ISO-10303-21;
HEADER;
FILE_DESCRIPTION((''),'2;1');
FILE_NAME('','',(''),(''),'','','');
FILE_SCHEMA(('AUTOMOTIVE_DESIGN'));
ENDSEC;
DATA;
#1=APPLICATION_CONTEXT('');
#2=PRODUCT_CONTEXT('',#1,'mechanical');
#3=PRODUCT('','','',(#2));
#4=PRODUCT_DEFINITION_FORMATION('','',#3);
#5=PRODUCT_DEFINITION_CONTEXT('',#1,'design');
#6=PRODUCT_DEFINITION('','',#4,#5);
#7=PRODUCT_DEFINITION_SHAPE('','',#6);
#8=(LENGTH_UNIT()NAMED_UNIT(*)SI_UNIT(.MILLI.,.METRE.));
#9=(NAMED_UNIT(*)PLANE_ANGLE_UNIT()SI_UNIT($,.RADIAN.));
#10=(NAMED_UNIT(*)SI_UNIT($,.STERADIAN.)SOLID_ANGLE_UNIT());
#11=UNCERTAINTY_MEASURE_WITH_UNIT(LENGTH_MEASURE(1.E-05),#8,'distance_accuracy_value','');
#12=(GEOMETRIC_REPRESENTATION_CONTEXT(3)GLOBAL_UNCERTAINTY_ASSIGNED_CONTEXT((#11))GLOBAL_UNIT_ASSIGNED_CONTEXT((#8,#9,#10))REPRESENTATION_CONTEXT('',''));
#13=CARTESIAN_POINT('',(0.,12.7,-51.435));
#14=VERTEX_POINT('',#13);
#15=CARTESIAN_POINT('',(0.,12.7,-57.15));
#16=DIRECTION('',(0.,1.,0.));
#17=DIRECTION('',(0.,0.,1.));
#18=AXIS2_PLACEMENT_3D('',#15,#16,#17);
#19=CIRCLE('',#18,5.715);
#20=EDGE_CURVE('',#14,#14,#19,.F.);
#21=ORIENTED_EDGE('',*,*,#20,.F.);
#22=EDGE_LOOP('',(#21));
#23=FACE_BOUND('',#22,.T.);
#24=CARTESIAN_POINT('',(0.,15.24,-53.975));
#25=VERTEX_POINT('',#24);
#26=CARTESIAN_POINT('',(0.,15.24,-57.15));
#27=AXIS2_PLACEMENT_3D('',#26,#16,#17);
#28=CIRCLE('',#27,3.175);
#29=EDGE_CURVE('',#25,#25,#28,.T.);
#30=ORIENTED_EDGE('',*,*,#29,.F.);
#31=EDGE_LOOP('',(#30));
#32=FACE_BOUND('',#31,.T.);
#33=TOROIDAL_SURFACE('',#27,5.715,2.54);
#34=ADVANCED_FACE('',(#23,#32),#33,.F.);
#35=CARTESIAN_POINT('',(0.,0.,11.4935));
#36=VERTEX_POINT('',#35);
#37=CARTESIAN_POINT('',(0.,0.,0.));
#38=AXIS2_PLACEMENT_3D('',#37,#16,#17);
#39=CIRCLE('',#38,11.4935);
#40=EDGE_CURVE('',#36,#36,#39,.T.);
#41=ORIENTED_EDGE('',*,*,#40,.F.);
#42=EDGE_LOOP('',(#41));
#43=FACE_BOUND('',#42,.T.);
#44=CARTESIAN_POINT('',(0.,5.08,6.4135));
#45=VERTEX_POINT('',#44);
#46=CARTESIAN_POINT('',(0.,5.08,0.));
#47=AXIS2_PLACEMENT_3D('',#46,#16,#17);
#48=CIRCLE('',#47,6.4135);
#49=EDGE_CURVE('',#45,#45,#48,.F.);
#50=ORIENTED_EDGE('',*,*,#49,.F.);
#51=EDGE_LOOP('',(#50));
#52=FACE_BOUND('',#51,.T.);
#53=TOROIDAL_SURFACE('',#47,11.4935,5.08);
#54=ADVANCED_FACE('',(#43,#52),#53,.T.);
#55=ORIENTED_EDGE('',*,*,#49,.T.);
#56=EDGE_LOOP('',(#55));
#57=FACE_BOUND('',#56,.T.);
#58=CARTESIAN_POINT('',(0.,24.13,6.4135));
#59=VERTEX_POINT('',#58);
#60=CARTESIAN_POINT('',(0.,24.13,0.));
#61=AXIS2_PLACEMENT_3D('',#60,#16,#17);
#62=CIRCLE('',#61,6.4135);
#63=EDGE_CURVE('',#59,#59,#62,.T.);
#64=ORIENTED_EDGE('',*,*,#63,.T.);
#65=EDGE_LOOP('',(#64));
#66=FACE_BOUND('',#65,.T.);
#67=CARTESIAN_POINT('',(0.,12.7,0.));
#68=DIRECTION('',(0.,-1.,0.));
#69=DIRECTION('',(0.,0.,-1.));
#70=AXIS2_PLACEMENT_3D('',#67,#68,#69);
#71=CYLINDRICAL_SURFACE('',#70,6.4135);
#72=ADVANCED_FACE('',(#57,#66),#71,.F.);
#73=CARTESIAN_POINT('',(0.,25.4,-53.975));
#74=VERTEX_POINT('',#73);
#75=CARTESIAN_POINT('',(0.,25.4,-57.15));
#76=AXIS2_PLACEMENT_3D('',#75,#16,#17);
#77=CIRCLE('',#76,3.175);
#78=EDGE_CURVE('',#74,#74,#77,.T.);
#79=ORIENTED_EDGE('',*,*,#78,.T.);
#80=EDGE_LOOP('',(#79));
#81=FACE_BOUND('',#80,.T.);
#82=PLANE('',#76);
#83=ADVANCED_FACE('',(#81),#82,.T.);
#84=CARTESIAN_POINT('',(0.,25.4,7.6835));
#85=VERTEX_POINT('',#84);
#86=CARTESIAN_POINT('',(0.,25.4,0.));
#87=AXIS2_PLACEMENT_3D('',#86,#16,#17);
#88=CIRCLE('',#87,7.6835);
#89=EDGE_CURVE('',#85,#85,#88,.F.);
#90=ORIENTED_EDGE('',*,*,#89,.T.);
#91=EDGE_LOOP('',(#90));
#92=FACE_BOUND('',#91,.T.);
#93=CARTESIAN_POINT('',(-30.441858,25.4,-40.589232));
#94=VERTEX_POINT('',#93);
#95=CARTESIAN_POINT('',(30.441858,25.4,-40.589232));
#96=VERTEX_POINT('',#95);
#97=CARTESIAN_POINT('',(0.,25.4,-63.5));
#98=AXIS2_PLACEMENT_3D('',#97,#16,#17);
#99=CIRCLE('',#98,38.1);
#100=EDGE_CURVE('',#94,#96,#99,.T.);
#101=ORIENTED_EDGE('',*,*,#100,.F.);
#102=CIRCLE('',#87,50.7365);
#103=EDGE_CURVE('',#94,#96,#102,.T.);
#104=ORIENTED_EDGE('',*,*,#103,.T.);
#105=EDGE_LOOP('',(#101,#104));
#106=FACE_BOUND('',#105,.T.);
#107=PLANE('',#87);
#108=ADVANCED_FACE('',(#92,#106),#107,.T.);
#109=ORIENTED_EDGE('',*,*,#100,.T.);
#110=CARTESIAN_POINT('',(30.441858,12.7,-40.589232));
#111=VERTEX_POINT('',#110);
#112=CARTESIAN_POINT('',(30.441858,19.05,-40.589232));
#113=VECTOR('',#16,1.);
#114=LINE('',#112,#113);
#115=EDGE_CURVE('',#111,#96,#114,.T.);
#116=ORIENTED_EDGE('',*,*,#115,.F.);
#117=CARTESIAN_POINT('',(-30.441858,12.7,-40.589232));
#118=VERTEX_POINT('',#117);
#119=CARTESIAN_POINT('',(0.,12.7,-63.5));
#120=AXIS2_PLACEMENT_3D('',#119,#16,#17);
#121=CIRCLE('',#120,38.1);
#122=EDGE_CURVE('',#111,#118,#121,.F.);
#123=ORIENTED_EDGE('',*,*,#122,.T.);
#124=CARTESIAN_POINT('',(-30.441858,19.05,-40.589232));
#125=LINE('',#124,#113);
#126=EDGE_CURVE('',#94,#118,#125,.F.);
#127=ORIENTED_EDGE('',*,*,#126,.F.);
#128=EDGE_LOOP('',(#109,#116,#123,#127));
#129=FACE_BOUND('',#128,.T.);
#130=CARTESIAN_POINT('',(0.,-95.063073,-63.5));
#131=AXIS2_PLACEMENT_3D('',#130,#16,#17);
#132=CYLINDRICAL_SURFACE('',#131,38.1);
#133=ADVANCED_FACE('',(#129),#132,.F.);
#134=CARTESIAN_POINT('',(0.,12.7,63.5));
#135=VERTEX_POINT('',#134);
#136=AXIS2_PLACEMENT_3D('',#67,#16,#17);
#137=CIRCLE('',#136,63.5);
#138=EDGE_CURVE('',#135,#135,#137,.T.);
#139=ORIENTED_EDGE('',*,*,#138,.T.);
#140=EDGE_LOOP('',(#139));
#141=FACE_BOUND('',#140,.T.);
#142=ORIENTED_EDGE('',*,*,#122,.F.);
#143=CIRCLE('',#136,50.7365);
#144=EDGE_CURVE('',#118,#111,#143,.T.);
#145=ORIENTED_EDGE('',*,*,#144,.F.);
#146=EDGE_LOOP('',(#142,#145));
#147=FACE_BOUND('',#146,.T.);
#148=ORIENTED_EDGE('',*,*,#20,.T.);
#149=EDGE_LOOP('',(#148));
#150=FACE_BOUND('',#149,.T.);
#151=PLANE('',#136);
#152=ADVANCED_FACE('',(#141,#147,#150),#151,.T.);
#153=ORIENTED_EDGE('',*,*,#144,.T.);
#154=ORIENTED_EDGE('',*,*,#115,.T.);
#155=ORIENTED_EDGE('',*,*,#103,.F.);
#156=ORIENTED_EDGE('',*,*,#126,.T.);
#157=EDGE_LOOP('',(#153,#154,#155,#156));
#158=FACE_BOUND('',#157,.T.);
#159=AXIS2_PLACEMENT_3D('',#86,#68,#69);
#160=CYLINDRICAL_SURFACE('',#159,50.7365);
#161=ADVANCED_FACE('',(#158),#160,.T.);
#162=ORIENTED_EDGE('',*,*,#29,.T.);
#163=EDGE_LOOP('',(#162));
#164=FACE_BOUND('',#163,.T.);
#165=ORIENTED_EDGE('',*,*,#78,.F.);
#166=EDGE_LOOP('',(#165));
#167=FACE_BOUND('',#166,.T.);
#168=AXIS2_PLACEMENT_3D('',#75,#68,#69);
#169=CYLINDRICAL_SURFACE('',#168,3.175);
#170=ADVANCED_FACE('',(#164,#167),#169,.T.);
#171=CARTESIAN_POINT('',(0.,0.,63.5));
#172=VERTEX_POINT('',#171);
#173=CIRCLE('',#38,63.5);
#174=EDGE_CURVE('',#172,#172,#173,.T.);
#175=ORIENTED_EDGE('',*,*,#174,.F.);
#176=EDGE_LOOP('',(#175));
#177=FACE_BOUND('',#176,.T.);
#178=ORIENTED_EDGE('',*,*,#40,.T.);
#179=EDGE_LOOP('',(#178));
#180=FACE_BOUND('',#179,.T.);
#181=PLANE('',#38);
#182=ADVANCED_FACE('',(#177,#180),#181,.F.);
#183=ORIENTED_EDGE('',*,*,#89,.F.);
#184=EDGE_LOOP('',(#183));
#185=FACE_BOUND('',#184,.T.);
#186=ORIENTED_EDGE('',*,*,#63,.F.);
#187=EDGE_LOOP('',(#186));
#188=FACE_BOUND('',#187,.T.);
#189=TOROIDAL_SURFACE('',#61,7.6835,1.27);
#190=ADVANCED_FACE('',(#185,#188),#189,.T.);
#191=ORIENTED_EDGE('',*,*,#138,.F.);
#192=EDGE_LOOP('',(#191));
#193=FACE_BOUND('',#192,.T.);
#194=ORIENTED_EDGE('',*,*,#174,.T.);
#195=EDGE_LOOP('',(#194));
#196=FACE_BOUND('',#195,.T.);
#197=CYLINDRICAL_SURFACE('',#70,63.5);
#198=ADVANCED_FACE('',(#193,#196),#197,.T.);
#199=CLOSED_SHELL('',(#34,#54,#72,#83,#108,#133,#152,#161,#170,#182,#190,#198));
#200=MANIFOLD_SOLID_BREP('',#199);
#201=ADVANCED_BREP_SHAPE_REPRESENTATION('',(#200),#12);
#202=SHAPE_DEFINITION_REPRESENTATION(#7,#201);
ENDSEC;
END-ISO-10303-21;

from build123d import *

# Parameters (mm, degrees)
SKETCH1_R           = 63.5
SKETCH1_R_2         = 6.4135
BOSS_EXTRUDE1_DEPTH = 12.7
SKETCH2_R           = 50.7365
SKETCH2_R_2         = 6.4135
BOSS_EXTRUDE2_DEPTH = 12.7
SKETCH3_R           = 38.1
CUT_EXTRUDE2_DEPTH  = 12.7
SKETCH4_R           = 3.175
BOSS_EXTRUDE3_DEPTH = 12.7
FILLET1_R           = 2.54
FILLET2_R           = 5.08
FILLET3_R           = 1.27


with BuildPart() as part:
    # Sketch1 → Boss-Extrude1 (new body)
    with BuildSketch(Plane(origin=(0, 0, 0), x_dir=(1, 0, 0), z_dir=(0, 1, 0))):
        with Locations(Location((0, 0, 0), (0, 0, 270))):
            Circle(SKETCH1_R)
        with Locations(Location((0, 0, 0), (0, 0, 270))):
            Circle(SKETCH1_R_2, mode=Mode.SUBTRACT)
    extrude(amount=BOSS_EXTRUDE1_DEPTH)

    # Sketch2 → Boss-Extrude2 (add)
    with BuildSketch(Plane(origin=(0, 12.7, 0), x_dir=(1, 0, 0), z_dir=(0, 1, 0))):
        with Locations(Location((0, 0, 0), (0, 0, 270))):
            Circle(SKETCH2_R)
        with Locations(Location((0, 0, 0), (0, 0, 270))):
            Circle(SKETCH2_R_2, mode=Mode.SUBTRACT)
    extrude(amount=BOSS_EXTRUDE2_DEPTH)

    # Sketch3 → Cut-Extrude2 (cut)
    with BuildSketch(Plane(origin=(0, 25.4, 0), x_dir=(1, 0, 0), z_dir=(0, 1, 0))):
        with Locations((0, 63.5)):
            Circle(SKETCH3_R)
    extrude(amount=-CUT_EXTRUDE2_DEPTH, mode=Mode.SUBTRACT)

    # Sketch4 → Boss-Extrude3 (add)
    with BuildSketch(Plane(origin=(0, 12.7, 0), x_dir=(1, 0, 0), z_dir=(0, 1, 0))):
        with Locations(Location((0, 57.15, 0), (0, 0, 270))):
            Circle(SKETCH4_R)
    extrude(amount=BOSS_EXTRUDE3_DEPTH)

    # Fillet1
    fillet1_edges = [part.edges().sort_by_distance(p)[0] for p in [
        (0, 12.7, -60.325),
    ]]
    fillet(fillet1_edges, radius=FILLET1_R)

    # Fillet2
    fillet2_edges = [part.edges().sort_by_distance(p)[0] for p in [
        (0, 0, -6.4135),
    ]]
    fillet(fillet2_edges, radius=FILLET2_R)

    # Fillet3
    fillet3_edges = [part.edges().sort_by_distance(p)[0] for p in [
        (0, 25.4, -6.4135),
    ]]
    fillet(fillet3_edges, radius=FILLET3_R)


solid = part.part
